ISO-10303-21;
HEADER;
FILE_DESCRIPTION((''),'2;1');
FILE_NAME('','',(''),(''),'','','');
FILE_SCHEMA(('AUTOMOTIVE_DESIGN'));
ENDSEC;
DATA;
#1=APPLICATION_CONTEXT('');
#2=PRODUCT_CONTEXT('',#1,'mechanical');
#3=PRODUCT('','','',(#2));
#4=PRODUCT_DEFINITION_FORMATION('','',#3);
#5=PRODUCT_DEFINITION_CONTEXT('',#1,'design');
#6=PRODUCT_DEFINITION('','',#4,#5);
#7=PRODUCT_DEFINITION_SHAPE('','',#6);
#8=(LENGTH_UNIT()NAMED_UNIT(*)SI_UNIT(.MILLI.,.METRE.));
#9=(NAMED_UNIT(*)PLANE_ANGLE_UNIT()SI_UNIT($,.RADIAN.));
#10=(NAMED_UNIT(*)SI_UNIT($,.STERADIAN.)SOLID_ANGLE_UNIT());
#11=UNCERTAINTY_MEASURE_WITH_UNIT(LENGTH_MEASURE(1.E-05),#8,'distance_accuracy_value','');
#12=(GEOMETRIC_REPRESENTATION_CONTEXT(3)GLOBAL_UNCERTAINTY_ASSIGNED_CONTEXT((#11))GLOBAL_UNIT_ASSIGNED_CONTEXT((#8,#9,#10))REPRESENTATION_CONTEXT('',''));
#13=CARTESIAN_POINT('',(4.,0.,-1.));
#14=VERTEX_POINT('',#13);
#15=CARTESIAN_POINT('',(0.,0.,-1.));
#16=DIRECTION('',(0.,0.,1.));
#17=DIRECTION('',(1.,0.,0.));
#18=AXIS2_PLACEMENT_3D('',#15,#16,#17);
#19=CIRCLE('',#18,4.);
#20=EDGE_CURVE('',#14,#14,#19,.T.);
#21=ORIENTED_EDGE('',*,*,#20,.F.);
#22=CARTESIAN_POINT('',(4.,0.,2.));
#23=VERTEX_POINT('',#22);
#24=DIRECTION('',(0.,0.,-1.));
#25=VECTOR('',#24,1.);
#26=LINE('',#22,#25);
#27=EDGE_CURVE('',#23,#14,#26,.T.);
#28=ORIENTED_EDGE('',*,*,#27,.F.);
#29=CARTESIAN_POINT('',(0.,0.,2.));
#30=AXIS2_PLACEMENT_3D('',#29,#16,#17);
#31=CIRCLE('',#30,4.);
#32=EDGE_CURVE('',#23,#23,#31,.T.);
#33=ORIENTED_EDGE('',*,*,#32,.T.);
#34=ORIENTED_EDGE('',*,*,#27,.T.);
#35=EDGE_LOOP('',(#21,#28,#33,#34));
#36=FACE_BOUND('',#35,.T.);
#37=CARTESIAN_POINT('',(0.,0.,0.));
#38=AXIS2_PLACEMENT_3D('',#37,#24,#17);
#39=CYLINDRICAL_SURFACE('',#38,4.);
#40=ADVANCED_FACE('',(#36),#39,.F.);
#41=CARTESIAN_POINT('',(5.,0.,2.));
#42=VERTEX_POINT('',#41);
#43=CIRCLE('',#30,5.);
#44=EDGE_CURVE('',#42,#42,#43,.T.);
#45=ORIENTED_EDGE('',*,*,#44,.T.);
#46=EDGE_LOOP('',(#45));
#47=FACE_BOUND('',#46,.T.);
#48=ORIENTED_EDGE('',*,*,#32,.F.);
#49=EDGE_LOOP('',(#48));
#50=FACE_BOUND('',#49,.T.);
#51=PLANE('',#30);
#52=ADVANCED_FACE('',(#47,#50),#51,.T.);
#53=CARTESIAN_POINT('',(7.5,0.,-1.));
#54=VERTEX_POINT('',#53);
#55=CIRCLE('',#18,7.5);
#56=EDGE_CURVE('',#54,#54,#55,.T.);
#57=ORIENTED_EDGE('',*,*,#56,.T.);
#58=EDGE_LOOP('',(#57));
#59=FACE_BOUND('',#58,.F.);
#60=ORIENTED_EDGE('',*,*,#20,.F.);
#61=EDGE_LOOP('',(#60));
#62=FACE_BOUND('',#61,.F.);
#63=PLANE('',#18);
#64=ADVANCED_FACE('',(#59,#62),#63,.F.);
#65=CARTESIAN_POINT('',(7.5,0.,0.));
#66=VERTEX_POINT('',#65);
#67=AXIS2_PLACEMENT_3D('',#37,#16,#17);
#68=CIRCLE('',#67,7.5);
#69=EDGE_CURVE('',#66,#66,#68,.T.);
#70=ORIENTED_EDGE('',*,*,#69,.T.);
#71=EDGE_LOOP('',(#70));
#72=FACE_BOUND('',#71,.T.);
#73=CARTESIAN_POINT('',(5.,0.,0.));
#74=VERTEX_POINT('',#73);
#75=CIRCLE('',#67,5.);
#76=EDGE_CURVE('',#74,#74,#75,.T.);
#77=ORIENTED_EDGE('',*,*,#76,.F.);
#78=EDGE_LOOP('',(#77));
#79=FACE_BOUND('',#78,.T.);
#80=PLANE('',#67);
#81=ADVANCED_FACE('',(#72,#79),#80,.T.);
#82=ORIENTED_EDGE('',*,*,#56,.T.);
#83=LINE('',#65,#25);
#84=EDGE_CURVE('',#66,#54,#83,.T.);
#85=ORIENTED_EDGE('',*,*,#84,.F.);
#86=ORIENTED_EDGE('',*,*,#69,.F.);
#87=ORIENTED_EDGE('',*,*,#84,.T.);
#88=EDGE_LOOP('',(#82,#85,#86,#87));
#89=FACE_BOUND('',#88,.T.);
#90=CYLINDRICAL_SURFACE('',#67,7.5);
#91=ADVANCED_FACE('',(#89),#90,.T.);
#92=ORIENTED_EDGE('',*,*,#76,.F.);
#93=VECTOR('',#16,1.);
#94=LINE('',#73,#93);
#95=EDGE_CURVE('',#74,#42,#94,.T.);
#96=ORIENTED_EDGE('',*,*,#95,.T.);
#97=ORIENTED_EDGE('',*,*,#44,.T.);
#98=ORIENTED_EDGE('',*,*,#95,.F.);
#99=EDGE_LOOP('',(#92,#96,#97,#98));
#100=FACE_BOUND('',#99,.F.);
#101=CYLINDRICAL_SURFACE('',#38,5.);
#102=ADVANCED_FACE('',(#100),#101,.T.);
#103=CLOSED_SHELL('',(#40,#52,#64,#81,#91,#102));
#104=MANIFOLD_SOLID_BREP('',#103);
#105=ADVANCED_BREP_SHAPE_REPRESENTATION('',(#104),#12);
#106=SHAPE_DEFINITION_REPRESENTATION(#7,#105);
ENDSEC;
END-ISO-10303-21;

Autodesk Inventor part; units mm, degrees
ref_plane "YZ Plane" through (0, 0, 0) normal (1, 0, 0) x (0, 1, 0)
ref_plane "XZ Plane" through (0, 0, 0) normal (0, 1, 0) x (-1, 0, 0)
ref_plane "XY Plane" through (0, 0, 0) normal (0, 0, 1) x (1, 0, 0)
sketch "スケッチ1" plane through (0, 0, 0) normal (0, 0, 1) x (1, 0, 0)
  circle A0 centre (0, 0) radius 4
  circle A1 centre (0, 0) radius 5
  circle A2 centre (0, 0) radius 7.5
  dimension "d0" = 8
  dimension "d1" = 10
  dimension "d4" = 15
extrude "押し出し1" add sketch "スケッチ1" along normal blind 2 contours A1
extrude "押し出し2" add sketch "スケッチ1" against normal blind 1 contours A1 | A2
properties part number "オイレスF外径10内径8L3甲" material "アセタール樹脂、黒"
